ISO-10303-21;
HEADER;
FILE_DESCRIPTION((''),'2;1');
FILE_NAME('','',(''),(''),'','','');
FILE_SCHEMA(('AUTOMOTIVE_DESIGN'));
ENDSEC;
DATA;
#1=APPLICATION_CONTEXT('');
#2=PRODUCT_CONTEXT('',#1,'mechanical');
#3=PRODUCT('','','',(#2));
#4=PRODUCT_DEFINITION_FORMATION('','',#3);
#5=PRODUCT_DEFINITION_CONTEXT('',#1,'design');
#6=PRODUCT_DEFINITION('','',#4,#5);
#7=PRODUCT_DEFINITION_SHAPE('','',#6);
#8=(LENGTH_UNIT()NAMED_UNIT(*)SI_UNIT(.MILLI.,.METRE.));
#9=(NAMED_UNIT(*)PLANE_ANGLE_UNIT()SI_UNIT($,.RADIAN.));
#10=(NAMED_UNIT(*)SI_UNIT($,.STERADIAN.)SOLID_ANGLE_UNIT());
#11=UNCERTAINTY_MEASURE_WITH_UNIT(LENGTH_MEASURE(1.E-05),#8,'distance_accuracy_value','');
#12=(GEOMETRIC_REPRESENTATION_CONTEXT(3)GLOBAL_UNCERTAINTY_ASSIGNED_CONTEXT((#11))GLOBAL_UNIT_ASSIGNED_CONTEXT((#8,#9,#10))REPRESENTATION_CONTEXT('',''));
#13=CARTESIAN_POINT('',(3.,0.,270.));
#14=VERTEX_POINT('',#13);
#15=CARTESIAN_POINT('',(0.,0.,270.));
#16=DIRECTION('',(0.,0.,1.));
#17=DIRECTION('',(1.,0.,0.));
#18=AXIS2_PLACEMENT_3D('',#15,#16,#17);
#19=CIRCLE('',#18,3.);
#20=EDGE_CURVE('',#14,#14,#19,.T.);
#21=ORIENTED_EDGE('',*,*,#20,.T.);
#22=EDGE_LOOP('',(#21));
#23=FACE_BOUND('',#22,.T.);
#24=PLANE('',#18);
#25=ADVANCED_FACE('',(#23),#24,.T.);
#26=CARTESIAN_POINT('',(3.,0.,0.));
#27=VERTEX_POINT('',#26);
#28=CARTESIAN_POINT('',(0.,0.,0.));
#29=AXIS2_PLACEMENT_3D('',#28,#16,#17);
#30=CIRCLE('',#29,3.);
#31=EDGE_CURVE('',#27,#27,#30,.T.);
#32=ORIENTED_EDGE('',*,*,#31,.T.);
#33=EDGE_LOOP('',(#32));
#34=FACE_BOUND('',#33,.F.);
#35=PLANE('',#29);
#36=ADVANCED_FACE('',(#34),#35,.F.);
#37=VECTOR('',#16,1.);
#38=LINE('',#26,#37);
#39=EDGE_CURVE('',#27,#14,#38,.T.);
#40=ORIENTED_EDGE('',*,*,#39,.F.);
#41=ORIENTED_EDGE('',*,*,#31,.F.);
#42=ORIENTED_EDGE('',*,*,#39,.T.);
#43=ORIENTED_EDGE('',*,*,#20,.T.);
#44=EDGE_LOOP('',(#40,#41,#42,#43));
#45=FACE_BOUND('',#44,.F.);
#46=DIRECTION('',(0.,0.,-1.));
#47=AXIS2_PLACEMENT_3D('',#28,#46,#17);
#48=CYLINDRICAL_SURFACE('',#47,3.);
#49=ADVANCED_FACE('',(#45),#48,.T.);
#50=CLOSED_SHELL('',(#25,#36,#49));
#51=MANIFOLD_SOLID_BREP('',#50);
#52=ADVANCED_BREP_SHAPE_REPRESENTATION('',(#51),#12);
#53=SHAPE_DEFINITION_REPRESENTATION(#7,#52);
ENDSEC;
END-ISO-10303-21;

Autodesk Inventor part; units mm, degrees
ref_plane "YZ Plane" through (0, 0, 0) normal (1, 0, 0) x (0, 1, 0)
ref_plane "XZ Plane" through (0, 0, 0) normal (0, 1, 0) x (-1, 0, 0)
ref_plane "XY Plane" through (0, 0, 0) normal (0, 0, 1) x (1, 0, 0)
sketch "Sketch1" plane through (0, 0, 0) normal (0, 0, 1) x (1, 0, 0)
  circle A0 centre (0, 0) radius 3
  dimension "d0" = 6
extrude "Extrusion1" add sketch "Sketch1" along normal blind 270
properties part number "rod" material "Stainless Steel"
